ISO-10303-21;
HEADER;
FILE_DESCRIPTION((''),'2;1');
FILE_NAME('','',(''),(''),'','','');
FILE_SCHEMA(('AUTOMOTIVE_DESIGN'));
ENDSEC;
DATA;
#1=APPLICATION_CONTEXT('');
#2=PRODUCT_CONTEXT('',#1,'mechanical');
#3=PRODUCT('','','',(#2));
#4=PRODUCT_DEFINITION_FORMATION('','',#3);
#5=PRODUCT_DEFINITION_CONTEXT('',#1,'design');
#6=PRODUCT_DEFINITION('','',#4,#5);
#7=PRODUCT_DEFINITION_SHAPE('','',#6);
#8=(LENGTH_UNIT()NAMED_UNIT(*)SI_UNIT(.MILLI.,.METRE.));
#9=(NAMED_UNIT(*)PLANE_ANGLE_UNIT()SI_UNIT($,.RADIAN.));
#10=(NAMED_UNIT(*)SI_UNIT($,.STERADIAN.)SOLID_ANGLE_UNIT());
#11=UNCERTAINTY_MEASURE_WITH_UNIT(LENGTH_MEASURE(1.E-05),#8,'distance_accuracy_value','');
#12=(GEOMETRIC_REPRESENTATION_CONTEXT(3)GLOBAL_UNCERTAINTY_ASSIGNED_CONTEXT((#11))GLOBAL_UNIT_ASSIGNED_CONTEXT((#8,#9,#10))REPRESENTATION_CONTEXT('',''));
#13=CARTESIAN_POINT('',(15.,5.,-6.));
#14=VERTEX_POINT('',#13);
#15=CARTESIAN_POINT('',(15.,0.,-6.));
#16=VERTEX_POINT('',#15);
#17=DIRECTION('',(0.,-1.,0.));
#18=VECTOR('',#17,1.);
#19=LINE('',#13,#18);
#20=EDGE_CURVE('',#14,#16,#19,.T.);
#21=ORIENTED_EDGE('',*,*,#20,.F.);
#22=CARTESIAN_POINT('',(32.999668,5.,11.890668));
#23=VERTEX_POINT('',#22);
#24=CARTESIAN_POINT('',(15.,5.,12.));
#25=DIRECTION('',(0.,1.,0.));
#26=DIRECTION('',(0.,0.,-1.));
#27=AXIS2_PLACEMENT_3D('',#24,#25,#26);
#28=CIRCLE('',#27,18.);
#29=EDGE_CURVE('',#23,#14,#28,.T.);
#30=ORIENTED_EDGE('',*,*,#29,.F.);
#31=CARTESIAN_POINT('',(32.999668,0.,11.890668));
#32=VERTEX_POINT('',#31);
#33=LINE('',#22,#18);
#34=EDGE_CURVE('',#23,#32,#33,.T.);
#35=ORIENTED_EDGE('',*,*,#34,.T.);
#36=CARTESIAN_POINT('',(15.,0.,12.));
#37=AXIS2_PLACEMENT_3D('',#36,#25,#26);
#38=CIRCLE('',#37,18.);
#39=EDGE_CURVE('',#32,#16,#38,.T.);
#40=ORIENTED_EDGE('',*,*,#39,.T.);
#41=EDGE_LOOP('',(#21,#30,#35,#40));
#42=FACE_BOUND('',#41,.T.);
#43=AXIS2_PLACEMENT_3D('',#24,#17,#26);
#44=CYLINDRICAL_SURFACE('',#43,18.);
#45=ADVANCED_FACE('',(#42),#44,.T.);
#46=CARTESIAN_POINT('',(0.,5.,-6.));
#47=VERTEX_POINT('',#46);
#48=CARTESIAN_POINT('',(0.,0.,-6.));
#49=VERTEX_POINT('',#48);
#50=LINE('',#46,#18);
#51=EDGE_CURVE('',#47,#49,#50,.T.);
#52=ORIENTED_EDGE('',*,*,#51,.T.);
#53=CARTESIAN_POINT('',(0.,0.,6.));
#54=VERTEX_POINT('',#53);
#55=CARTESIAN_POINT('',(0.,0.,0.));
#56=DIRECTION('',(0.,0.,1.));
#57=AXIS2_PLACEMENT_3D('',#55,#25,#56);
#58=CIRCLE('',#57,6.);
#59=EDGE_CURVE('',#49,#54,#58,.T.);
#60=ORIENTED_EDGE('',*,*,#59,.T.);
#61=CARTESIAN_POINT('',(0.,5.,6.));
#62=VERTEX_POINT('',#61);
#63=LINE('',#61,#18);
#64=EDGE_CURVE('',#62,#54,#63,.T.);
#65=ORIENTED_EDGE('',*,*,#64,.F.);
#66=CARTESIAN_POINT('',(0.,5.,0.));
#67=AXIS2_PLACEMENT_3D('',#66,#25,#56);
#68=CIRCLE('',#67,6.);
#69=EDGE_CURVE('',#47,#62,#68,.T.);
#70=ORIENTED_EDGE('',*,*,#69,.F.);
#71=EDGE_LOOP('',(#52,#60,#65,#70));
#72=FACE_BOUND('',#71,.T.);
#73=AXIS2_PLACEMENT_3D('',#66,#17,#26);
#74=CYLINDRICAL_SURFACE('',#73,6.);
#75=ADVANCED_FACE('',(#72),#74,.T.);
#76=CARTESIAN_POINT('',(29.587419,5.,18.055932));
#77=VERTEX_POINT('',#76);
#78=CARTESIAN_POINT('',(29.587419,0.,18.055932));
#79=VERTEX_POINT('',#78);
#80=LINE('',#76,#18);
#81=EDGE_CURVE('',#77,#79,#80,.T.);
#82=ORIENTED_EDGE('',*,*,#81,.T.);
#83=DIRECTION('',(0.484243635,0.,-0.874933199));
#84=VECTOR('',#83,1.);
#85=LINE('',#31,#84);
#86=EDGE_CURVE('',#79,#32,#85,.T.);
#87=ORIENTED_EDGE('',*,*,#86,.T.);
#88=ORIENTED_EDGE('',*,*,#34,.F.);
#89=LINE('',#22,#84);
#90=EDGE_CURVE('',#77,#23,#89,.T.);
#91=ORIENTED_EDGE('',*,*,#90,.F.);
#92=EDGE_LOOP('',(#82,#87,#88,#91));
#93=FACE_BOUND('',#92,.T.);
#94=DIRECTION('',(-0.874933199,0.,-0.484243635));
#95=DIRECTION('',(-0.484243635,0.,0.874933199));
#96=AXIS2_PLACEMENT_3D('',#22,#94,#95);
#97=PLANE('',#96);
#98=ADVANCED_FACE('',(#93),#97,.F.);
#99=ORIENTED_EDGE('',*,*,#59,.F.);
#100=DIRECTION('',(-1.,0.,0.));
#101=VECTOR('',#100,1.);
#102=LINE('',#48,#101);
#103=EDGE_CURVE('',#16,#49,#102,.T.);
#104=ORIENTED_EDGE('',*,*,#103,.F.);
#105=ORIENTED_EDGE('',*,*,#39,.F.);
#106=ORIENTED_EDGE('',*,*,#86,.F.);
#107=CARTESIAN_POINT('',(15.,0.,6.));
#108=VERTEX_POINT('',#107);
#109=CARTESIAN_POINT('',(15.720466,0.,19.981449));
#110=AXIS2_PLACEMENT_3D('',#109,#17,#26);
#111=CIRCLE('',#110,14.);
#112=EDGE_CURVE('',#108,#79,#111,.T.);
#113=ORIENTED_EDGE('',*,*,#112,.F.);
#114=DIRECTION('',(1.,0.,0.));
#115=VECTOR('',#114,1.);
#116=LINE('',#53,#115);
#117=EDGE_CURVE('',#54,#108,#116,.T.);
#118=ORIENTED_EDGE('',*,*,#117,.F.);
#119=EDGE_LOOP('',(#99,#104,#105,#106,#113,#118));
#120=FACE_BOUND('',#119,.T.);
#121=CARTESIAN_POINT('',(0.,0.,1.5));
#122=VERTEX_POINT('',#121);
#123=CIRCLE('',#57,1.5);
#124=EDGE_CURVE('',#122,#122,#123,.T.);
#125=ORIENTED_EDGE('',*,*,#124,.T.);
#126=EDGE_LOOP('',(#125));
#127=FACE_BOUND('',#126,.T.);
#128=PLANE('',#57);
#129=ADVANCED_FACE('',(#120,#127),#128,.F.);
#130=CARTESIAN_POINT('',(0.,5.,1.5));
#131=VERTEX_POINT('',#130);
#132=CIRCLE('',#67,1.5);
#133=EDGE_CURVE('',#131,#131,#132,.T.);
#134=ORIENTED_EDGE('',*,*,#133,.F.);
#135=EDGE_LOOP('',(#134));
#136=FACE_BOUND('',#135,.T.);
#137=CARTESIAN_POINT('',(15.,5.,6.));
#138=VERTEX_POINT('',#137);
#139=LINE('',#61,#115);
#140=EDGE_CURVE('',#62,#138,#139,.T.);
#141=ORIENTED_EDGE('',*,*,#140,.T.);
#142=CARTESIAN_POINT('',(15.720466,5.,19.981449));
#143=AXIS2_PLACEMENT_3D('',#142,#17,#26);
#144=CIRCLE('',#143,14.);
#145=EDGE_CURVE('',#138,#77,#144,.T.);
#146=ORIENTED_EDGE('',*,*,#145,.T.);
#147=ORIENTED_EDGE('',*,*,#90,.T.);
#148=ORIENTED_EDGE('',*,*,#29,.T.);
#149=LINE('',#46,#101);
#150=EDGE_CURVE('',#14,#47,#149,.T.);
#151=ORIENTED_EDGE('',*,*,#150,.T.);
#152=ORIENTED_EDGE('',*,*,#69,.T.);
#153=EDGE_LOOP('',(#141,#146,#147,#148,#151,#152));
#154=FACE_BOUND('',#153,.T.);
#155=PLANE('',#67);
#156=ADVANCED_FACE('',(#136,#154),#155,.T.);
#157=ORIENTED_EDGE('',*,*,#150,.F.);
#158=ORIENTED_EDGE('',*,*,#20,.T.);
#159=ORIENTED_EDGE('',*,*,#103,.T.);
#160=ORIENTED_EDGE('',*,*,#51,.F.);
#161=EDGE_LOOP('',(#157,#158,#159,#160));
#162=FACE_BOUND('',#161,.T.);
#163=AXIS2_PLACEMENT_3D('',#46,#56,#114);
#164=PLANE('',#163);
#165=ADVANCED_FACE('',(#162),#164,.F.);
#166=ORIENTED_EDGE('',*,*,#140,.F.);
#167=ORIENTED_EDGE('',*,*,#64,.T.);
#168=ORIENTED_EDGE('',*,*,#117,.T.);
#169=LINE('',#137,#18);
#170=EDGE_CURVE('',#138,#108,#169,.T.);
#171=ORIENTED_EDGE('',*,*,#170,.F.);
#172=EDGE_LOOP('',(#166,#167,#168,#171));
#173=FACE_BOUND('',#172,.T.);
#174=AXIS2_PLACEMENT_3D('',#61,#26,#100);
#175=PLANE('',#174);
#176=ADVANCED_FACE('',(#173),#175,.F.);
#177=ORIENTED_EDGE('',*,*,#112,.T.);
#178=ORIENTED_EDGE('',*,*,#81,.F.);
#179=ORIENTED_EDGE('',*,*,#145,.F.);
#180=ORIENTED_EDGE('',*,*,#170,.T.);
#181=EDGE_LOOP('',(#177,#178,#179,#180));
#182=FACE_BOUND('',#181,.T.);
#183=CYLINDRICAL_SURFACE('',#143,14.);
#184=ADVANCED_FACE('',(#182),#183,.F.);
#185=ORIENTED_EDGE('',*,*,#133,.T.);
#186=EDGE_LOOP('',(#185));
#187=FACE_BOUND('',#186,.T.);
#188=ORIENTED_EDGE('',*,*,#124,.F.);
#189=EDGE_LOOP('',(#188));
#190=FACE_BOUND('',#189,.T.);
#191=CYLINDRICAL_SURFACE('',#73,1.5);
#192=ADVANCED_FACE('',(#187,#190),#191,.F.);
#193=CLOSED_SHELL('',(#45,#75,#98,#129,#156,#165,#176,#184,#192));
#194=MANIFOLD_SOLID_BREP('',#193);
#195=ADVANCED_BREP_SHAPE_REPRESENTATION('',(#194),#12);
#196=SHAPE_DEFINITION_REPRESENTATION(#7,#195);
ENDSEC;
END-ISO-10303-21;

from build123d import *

# Parameters (mm, degrees)
SKETCH1_R           = 1.5
BOSS_EXTRUDE1_DEPTH = 5


with BuildPart() as part:
    # Sketch1 → Boss-Extrude1 (new body)
    with BuildSketch(Plane(origin=(0, 0, 0), x_dir=(1, 0, 0), z_dir=(0, 1, 0))):
        with BuildLine():
            Line((0, 6), (15, 6))
            ThreePointArc((15, 6), (27.689208405, 0.766518321), (32.999667954, -11.890667772))
            Line((32.999667954, -11.890667772), (29.587418813, -18.0559322))
            ThreePointArc((29.587418813, -18.0559322), (24.639204906, -9.189966963), (15, -6))
            Line((15, -6), (0, -6))
            ThreePointArc((0, -6), (-6, 0), (0, 6))
        make_face()
        with Locations(Location((0, 0, 0), (0, 0, 270))):
            Circle(SKETCH1_R, mode=Mode.SUBTRACT)
    extrude(amount=BOSS_EXTRUDE1_DEPTH)


solid = part.part
